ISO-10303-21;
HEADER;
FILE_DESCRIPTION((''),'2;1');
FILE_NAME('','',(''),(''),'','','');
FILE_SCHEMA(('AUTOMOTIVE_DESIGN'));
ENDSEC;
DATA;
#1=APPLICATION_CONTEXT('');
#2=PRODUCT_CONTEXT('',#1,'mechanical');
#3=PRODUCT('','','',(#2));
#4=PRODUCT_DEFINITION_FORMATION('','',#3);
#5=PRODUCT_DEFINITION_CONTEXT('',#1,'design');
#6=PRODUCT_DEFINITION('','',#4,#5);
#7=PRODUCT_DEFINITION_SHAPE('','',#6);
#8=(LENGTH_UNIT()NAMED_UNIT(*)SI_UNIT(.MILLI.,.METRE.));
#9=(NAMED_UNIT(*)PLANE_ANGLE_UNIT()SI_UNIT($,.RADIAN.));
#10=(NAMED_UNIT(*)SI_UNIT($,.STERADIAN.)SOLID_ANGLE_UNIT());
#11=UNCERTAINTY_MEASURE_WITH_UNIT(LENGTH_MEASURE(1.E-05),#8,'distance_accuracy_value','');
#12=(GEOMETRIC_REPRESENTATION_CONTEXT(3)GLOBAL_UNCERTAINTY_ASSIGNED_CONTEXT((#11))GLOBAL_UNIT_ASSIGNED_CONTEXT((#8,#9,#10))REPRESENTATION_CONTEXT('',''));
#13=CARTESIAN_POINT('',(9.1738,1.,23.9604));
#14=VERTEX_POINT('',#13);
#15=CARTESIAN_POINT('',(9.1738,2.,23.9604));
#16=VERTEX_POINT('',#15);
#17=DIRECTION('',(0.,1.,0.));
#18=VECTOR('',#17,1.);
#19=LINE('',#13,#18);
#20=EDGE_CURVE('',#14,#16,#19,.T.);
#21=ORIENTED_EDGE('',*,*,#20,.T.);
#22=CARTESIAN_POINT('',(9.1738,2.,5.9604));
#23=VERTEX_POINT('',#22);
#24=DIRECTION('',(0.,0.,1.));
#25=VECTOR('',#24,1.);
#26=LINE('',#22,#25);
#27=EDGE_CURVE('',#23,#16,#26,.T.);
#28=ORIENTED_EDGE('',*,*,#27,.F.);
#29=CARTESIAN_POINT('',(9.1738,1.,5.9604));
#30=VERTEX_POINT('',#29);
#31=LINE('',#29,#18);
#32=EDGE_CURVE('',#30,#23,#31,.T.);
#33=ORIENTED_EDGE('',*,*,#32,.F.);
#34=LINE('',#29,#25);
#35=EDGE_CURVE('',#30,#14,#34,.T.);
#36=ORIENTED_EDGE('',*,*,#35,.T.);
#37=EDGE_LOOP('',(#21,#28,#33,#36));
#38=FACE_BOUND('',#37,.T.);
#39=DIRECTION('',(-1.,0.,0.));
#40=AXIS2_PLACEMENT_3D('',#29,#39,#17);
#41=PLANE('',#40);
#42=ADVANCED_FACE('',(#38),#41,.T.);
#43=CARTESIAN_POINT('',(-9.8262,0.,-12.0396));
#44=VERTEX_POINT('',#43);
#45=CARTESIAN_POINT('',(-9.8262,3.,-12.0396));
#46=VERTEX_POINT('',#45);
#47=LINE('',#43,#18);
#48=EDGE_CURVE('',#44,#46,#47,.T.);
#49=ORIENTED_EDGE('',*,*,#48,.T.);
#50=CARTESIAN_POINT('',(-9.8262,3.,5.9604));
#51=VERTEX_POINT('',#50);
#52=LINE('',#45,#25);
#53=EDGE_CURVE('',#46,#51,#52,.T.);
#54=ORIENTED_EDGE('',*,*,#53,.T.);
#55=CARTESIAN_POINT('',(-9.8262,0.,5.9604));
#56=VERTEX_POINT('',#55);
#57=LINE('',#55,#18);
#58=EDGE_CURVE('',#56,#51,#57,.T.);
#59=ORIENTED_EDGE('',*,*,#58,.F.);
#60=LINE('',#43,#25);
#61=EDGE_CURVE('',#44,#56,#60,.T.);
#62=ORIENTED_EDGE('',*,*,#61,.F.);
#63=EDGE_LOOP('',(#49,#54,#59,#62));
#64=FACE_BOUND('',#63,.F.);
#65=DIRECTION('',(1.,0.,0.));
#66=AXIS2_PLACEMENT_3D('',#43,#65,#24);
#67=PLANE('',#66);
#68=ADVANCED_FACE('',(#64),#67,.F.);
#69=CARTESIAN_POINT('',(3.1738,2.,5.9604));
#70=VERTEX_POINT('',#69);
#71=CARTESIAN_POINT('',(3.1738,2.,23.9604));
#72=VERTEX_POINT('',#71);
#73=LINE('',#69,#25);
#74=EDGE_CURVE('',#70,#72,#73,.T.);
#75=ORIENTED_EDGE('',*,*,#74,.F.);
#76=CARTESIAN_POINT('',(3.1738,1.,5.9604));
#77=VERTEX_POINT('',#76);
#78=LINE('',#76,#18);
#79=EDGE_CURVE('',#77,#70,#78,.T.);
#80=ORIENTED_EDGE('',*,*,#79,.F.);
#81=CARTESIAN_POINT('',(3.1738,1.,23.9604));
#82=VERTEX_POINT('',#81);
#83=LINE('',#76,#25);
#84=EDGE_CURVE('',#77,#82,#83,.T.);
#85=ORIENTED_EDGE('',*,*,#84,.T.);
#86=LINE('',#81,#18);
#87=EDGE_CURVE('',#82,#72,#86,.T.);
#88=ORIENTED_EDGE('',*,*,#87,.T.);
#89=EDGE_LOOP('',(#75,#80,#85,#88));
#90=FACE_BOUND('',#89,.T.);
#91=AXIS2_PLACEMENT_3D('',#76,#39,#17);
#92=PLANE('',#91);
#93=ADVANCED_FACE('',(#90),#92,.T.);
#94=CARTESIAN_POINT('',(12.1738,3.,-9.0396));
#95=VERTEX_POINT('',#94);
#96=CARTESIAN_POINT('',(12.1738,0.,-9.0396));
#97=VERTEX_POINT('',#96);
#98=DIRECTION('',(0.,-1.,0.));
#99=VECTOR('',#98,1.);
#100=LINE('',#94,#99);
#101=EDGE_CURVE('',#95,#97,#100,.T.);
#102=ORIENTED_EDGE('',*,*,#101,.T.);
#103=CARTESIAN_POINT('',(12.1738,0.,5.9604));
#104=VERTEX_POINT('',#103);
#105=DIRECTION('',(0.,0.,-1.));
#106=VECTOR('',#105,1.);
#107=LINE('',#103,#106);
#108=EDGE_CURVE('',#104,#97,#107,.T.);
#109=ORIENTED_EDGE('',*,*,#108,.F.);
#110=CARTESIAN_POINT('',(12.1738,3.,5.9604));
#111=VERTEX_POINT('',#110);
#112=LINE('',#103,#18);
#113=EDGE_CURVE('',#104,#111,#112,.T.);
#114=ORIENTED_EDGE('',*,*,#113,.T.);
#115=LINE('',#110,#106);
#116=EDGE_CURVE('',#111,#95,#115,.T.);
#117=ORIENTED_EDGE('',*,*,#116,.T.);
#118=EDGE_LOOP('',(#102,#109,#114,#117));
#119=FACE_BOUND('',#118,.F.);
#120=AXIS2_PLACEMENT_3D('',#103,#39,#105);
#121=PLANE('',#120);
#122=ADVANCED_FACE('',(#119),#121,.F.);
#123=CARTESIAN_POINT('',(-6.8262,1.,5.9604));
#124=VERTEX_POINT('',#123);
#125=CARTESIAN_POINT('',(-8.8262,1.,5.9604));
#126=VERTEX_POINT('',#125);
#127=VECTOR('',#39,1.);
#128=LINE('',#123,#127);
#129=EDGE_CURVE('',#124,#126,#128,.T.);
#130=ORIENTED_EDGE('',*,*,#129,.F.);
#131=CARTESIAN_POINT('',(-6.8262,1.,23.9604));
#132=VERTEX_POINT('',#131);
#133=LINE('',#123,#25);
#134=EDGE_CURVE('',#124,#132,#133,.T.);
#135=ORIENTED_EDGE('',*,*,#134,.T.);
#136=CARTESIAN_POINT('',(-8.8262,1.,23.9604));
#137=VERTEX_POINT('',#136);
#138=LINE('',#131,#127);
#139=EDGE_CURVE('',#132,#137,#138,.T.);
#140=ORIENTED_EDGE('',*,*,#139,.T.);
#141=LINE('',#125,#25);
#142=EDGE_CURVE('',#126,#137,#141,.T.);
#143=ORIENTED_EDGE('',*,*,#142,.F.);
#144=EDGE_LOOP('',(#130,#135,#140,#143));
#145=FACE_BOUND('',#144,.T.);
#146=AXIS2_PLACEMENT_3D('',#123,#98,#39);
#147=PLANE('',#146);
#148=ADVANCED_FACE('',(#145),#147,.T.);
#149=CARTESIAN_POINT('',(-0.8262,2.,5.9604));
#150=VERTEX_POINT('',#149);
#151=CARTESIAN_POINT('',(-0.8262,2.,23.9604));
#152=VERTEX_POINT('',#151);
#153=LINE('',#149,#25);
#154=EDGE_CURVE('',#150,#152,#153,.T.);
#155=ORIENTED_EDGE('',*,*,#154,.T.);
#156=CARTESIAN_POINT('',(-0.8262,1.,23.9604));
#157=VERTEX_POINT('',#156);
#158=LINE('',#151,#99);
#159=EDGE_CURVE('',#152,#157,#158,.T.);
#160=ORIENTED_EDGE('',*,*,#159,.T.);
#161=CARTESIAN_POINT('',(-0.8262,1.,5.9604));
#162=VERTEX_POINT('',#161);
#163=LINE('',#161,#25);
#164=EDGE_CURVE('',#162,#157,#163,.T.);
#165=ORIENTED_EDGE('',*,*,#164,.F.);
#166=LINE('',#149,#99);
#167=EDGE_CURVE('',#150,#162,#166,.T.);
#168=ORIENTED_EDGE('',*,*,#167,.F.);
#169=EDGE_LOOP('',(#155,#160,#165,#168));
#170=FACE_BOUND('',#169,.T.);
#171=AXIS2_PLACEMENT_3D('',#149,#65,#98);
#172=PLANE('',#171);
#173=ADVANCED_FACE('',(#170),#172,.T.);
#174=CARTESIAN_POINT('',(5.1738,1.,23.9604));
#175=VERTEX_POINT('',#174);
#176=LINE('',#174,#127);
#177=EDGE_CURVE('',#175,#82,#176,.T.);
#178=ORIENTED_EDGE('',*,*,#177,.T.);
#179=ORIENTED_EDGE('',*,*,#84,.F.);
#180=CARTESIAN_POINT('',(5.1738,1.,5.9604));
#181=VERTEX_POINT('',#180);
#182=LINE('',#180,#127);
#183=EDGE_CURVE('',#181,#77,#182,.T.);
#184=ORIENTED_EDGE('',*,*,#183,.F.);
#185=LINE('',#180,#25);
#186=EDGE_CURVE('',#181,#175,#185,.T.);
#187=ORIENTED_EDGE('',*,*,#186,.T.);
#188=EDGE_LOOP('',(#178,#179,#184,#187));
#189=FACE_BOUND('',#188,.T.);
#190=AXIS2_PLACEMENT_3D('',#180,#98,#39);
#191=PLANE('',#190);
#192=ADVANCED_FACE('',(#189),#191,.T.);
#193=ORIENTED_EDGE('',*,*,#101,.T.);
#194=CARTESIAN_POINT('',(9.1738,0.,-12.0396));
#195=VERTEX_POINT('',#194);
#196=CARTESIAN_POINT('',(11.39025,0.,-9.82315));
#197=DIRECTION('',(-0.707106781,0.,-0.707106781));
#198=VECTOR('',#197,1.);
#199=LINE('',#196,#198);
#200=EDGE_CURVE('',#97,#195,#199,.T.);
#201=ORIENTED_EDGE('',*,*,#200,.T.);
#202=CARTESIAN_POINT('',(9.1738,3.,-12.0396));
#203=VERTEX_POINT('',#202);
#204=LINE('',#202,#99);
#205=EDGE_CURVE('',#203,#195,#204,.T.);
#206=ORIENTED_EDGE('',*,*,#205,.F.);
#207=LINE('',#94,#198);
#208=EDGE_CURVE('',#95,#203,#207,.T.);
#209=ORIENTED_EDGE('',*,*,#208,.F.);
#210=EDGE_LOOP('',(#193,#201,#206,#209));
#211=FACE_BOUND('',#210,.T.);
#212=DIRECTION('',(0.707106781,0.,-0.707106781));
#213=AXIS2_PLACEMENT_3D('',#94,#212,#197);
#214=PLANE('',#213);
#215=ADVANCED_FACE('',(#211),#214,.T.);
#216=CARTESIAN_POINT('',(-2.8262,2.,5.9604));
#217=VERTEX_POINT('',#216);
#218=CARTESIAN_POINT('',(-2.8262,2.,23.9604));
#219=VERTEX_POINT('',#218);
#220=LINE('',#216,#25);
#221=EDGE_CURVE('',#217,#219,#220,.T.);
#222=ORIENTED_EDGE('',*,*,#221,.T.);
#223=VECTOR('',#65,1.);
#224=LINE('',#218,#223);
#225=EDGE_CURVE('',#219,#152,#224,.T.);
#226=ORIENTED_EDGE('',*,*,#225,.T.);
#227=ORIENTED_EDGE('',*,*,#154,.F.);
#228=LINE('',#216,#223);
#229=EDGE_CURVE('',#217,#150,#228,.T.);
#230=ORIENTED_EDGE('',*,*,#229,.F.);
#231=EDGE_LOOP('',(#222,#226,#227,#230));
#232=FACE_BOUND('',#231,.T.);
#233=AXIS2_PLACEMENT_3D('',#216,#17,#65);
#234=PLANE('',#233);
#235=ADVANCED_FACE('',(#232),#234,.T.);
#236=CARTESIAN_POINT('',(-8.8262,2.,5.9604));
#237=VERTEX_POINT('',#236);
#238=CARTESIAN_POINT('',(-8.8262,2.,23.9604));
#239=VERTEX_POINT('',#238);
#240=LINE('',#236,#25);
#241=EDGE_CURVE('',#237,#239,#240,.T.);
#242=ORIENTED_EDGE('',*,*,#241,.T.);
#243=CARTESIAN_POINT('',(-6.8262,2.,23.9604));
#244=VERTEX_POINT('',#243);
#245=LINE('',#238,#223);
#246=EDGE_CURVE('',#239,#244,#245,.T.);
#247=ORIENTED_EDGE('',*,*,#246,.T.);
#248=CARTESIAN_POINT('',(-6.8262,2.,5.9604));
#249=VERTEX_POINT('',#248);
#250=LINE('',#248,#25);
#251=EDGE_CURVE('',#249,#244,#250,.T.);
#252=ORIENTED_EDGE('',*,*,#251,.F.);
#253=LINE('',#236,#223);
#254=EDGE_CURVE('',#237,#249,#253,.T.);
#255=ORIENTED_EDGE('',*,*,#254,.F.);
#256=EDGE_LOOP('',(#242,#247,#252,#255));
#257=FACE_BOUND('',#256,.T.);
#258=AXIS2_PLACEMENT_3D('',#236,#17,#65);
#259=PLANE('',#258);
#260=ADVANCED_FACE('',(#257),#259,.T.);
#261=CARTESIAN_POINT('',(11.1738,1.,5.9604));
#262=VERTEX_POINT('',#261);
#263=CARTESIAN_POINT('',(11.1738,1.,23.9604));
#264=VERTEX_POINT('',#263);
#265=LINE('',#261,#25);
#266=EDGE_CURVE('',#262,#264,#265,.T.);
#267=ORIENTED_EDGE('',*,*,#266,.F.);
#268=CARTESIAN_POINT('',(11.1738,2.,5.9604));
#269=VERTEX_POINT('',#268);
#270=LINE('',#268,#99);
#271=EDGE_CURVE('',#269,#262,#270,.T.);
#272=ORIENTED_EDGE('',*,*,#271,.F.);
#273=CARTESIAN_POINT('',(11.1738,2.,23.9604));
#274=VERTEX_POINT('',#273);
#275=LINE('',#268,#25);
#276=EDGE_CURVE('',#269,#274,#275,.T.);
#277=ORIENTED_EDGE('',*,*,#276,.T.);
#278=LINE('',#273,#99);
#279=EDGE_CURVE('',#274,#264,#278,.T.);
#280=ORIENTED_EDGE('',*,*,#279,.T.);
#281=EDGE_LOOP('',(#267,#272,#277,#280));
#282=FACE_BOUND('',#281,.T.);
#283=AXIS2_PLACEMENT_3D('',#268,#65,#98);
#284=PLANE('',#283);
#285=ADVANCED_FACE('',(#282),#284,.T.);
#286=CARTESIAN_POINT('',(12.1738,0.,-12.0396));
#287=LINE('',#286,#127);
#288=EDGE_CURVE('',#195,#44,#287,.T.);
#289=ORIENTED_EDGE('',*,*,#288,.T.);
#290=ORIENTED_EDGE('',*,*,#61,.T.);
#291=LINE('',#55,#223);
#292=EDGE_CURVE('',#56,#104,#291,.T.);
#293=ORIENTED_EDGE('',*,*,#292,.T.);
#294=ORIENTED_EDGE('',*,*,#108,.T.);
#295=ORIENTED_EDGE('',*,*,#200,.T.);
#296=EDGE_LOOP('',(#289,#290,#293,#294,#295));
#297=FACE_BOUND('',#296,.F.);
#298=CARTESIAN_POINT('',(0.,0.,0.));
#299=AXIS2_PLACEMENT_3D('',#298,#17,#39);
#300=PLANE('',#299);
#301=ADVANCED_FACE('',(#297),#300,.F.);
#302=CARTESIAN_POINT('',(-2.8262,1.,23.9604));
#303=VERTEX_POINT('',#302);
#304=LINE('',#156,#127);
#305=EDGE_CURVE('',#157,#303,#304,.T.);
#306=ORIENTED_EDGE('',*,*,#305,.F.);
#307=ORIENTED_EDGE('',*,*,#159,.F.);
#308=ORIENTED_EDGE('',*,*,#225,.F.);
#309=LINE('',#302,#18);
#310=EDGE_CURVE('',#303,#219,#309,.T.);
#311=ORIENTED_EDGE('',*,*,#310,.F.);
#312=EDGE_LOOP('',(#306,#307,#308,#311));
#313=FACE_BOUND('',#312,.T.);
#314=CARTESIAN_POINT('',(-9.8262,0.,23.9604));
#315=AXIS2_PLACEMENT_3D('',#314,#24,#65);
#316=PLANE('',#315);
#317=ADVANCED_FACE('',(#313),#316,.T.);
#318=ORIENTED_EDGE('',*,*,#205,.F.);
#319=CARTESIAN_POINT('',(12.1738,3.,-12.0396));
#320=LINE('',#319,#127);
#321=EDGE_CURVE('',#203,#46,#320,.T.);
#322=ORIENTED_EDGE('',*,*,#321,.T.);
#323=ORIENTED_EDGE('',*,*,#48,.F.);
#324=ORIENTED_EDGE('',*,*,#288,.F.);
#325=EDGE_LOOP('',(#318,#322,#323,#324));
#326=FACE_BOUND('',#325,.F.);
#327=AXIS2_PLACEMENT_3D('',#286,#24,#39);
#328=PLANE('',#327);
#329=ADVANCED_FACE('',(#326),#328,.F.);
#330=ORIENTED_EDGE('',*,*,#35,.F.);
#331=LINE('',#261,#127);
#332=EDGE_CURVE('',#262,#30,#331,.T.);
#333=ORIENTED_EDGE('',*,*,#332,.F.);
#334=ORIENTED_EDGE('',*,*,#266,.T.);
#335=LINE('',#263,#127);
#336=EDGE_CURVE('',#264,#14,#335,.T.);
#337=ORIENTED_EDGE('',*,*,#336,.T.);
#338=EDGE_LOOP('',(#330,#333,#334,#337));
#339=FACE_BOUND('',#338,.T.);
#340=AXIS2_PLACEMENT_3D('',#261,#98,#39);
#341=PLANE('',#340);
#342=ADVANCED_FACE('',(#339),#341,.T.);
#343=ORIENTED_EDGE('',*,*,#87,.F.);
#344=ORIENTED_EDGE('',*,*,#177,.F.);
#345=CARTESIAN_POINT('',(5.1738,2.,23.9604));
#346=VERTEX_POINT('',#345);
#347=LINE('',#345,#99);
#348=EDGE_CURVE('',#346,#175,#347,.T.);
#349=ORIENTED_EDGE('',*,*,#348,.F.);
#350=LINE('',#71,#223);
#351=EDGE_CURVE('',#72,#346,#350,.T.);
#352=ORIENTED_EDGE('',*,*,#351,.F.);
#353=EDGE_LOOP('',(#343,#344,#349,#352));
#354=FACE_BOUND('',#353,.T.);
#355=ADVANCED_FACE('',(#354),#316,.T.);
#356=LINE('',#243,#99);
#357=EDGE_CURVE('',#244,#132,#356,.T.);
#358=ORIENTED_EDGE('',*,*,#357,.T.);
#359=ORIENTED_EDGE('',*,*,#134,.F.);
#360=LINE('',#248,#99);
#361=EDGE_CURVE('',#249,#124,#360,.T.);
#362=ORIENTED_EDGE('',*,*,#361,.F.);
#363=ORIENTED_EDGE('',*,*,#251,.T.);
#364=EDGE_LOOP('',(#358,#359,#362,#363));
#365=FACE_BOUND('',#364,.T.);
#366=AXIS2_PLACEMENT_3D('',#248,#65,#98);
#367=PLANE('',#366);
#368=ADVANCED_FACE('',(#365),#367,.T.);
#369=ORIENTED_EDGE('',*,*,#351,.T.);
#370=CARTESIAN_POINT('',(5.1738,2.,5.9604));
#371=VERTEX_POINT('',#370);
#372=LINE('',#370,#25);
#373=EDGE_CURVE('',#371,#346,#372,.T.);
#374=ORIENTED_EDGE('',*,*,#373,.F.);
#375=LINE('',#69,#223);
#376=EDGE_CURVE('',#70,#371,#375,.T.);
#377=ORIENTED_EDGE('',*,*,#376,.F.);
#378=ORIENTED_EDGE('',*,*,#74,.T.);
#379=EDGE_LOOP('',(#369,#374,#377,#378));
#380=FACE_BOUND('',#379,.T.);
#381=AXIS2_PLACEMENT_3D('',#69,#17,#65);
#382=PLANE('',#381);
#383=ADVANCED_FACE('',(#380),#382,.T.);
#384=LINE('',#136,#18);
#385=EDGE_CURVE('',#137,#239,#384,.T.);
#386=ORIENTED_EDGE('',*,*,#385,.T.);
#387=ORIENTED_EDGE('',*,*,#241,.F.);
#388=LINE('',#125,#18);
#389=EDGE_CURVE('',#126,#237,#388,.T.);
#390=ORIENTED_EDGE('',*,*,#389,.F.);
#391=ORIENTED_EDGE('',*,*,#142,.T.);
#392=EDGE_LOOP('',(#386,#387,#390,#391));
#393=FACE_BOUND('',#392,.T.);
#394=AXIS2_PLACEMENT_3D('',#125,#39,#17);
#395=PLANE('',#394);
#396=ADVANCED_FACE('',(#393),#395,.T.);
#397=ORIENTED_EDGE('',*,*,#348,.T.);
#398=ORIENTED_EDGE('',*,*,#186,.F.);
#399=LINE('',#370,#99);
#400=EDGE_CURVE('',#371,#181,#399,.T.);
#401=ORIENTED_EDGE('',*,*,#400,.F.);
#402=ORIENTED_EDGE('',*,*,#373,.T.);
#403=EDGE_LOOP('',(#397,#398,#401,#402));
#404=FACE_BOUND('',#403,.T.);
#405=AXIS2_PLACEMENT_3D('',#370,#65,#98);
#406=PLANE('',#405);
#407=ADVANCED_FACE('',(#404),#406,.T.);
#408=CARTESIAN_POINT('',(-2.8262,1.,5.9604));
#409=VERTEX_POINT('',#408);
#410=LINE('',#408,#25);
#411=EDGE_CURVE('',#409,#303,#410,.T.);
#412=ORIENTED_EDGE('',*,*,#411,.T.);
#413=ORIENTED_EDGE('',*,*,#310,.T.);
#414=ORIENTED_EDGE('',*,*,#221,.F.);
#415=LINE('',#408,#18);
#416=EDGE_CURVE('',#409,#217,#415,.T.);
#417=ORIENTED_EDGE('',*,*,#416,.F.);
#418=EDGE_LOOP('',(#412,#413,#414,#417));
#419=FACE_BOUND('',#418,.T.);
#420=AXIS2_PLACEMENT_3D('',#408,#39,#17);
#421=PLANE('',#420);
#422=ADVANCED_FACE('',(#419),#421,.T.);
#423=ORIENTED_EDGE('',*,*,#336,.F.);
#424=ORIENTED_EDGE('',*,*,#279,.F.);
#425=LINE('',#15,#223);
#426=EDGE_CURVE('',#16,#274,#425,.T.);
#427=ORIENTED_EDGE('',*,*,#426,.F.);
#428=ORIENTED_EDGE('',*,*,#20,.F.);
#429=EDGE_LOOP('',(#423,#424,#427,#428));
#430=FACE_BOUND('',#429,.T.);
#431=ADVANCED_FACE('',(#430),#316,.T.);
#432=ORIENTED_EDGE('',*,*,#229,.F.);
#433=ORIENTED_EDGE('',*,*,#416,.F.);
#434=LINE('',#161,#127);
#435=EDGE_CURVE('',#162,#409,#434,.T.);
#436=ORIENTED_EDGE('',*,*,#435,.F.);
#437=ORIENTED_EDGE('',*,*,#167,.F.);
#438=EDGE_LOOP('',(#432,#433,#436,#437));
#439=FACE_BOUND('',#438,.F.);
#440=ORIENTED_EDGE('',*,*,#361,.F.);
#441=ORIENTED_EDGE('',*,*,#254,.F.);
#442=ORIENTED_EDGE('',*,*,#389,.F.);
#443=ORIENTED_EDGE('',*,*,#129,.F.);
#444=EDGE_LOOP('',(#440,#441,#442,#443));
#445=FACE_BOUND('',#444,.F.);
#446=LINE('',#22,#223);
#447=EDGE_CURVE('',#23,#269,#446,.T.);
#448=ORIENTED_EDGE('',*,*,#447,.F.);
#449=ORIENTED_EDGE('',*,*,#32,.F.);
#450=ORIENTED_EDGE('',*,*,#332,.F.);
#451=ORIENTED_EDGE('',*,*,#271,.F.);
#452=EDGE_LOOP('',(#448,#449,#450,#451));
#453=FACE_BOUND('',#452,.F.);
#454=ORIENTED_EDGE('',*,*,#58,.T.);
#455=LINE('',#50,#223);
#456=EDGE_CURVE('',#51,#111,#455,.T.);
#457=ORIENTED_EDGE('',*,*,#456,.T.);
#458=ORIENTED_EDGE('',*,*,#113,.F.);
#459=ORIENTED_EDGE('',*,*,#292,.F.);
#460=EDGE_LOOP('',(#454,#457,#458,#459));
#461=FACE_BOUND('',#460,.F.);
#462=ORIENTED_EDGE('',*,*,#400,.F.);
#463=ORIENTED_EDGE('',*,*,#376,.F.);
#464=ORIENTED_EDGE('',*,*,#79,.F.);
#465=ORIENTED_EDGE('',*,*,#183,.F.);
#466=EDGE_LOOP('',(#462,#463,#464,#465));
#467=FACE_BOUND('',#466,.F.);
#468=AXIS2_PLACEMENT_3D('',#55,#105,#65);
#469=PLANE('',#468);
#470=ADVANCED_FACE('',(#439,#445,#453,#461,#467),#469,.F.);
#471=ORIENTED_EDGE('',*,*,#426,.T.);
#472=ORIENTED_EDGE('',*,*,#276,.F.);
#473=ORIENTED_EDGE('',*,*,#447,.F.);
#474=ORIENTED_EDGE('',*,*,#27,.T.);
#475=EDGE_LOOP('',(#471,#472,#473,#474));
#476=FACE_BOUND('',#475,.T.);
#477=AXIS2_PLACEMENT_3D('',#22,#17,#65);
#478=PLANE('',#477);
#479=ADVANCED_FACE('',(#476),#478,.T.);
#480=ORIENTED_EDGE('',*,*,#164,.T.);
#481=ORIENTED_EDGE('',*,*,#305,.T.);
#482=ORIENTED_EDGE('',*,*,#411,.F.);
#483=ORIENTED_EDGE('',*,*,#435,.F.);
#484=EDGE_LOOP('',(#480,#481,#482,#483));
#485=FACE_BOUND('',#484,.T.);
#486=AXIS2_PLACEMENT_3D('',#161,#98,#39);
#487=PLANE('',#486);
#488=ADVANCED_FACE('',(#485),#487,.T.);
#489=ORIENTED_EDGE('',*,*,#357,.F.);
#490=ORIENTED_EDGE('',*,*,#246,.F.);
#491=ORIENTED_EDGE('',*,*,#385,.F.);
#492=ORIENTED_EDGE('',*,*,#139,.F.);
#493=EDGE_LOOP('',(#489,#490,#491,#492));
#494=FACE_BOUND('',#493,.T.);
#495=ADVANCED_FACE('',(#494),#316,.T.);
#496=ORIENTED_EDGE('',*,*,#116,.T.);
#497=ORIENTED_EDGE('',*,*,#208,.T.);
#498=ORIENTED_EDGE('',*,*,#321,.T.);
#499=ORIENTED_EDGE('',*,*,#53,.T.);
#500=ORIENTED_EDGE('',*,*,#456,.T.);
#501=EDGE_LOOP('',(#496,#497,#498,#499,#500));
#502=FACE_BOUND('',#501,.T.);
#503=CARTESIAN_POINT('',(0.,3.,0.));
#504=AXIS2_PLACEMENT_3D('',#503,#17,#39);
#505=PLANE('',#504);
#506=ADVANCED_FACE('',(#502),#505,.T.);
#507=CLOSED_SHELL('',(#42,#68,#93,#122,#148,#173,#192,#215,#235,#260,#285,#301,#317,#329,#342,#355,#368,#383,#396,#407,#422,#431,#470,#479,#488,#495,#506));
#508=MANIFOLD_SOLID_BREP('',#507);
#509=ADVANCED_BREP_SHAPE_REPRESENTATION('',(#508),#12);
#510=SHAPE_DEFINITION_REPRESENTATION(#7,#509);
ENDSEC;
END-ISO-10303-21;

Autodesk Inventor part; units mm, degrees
ref_plane "YZ Plane" through (0, 0, 0) normal (1, 0, 0) x (0, 1, 0)
ref_plane "XZ Plane" through (0, 0, 0) normal (0, 1, 0) x (-1, 0, 0)
ref_plane "XY Plane" through (0, 0, 0) normal (0, 0, 1) x (1, 0, 0)
sketch "Sketch1" plane through (0, 0, 0) normal (0, 1, 0) x (-1, 0, 0)
  line L0 (9.8262, 5.9604) -> (-12.1738, 5.9604)
  line L1 (-12.1738, 5.9604) -> (-12.1738, -12.0396)
  line L2 (-12.1738, -12.0396) -> (9.8262, -12.0396)
  line L3 (9.8262, -12.0396) -> (9.8262, 5.9604)
  point P0 (0, 0)
  dimension "d0" = 22
  dimension "d1" = 18
extrude "Extrusion1" add sketch "Sketch1" along normal blind 3
sketch "Sketch2" plane through (-9.8262, 0, 5.9604) normal (0, 0, 1) x (1, 0, 0)
  line L0 (1, 2) -> (3, 2)
  line L1 (3, 2) -> (3, 1)
  line L2 (3, 1) -> (1, 1)
  line L3 (1, 1) -> (1, 2)
  line L4 (0, 3) -> (22, 3) projected
  line L5 (0, 0) -> (0, 3) projected
  line L6 (7, 2) -> (9, 2)
  line L7 (9, 2) -> (9, 1)
  line L8 (9, 1) -> (7, 1)
  line L9 (7, 1) -> (7, 2)
  line L10 (13, 2) -> (15, 2)
  line L11 (15, 2) -> (15, 1)
  line L12 (15, 1) -> (13, 1)
  line L13 (13, 1) -> (13, 2)
  line L14 (19, 2) -> (21, 2)
  line L15 (21, 2) -> (21, 1)
  line L16 (21, 1) -> (19, 1)
  line L17 (19, 1) -> (19, 2)
  line L18 (22, 0) -> (22, 3) projected
  point P0 (9.8262, 0)
  point P1 (1, 1.5)
  point P2 (7, 1.5)
  point P3 (13, 1.5)
  point P4 (19, 1.5)
  point P5 (8, 2)
  dimension "d4" = 1
  dimension "d5" = 1
  dimension "d6" = 2
  dimension "d7" = 1
  dimension "d8" = 1
  dimension "d9" = 2
  dimension "d10" = 1
  dimension "d11" = 2
  dimension "d12" = 1
  dimension "d13" = 2
  dimension "d14" = 1
  dimension "d15" = 1
  dimension "d16" = 1
  dimension "d17" = 1
  dimension "d18" = 4
  dimension "d19" = 4
extrude "Extrusion2" add sketch "Sketch2" along normal blind 18
sketch "Sketch3" plane through (0, 3, 0) normal (0, 1, 0) x (1, 0, 0)
  line L0 (12.1738, 12.0396) -> (9.1738, 12.0396)
  line L1 (12.1738, 12.0396) -> (-9.8262, 12.0396) projected
  line L2 (12.1738, 12.0396) -> (12.1738, 9.0396)
  line L3 (12.1738, 9.0396) -> (9.1738, 12.0396)
  point P0 (0, 0)
  dimension "d22" = 3
  dimension "d23" = 3
extrude "Extrusion3" cut sketch "Sketch3" against normal blind 18
properties part number "Rectifier"
